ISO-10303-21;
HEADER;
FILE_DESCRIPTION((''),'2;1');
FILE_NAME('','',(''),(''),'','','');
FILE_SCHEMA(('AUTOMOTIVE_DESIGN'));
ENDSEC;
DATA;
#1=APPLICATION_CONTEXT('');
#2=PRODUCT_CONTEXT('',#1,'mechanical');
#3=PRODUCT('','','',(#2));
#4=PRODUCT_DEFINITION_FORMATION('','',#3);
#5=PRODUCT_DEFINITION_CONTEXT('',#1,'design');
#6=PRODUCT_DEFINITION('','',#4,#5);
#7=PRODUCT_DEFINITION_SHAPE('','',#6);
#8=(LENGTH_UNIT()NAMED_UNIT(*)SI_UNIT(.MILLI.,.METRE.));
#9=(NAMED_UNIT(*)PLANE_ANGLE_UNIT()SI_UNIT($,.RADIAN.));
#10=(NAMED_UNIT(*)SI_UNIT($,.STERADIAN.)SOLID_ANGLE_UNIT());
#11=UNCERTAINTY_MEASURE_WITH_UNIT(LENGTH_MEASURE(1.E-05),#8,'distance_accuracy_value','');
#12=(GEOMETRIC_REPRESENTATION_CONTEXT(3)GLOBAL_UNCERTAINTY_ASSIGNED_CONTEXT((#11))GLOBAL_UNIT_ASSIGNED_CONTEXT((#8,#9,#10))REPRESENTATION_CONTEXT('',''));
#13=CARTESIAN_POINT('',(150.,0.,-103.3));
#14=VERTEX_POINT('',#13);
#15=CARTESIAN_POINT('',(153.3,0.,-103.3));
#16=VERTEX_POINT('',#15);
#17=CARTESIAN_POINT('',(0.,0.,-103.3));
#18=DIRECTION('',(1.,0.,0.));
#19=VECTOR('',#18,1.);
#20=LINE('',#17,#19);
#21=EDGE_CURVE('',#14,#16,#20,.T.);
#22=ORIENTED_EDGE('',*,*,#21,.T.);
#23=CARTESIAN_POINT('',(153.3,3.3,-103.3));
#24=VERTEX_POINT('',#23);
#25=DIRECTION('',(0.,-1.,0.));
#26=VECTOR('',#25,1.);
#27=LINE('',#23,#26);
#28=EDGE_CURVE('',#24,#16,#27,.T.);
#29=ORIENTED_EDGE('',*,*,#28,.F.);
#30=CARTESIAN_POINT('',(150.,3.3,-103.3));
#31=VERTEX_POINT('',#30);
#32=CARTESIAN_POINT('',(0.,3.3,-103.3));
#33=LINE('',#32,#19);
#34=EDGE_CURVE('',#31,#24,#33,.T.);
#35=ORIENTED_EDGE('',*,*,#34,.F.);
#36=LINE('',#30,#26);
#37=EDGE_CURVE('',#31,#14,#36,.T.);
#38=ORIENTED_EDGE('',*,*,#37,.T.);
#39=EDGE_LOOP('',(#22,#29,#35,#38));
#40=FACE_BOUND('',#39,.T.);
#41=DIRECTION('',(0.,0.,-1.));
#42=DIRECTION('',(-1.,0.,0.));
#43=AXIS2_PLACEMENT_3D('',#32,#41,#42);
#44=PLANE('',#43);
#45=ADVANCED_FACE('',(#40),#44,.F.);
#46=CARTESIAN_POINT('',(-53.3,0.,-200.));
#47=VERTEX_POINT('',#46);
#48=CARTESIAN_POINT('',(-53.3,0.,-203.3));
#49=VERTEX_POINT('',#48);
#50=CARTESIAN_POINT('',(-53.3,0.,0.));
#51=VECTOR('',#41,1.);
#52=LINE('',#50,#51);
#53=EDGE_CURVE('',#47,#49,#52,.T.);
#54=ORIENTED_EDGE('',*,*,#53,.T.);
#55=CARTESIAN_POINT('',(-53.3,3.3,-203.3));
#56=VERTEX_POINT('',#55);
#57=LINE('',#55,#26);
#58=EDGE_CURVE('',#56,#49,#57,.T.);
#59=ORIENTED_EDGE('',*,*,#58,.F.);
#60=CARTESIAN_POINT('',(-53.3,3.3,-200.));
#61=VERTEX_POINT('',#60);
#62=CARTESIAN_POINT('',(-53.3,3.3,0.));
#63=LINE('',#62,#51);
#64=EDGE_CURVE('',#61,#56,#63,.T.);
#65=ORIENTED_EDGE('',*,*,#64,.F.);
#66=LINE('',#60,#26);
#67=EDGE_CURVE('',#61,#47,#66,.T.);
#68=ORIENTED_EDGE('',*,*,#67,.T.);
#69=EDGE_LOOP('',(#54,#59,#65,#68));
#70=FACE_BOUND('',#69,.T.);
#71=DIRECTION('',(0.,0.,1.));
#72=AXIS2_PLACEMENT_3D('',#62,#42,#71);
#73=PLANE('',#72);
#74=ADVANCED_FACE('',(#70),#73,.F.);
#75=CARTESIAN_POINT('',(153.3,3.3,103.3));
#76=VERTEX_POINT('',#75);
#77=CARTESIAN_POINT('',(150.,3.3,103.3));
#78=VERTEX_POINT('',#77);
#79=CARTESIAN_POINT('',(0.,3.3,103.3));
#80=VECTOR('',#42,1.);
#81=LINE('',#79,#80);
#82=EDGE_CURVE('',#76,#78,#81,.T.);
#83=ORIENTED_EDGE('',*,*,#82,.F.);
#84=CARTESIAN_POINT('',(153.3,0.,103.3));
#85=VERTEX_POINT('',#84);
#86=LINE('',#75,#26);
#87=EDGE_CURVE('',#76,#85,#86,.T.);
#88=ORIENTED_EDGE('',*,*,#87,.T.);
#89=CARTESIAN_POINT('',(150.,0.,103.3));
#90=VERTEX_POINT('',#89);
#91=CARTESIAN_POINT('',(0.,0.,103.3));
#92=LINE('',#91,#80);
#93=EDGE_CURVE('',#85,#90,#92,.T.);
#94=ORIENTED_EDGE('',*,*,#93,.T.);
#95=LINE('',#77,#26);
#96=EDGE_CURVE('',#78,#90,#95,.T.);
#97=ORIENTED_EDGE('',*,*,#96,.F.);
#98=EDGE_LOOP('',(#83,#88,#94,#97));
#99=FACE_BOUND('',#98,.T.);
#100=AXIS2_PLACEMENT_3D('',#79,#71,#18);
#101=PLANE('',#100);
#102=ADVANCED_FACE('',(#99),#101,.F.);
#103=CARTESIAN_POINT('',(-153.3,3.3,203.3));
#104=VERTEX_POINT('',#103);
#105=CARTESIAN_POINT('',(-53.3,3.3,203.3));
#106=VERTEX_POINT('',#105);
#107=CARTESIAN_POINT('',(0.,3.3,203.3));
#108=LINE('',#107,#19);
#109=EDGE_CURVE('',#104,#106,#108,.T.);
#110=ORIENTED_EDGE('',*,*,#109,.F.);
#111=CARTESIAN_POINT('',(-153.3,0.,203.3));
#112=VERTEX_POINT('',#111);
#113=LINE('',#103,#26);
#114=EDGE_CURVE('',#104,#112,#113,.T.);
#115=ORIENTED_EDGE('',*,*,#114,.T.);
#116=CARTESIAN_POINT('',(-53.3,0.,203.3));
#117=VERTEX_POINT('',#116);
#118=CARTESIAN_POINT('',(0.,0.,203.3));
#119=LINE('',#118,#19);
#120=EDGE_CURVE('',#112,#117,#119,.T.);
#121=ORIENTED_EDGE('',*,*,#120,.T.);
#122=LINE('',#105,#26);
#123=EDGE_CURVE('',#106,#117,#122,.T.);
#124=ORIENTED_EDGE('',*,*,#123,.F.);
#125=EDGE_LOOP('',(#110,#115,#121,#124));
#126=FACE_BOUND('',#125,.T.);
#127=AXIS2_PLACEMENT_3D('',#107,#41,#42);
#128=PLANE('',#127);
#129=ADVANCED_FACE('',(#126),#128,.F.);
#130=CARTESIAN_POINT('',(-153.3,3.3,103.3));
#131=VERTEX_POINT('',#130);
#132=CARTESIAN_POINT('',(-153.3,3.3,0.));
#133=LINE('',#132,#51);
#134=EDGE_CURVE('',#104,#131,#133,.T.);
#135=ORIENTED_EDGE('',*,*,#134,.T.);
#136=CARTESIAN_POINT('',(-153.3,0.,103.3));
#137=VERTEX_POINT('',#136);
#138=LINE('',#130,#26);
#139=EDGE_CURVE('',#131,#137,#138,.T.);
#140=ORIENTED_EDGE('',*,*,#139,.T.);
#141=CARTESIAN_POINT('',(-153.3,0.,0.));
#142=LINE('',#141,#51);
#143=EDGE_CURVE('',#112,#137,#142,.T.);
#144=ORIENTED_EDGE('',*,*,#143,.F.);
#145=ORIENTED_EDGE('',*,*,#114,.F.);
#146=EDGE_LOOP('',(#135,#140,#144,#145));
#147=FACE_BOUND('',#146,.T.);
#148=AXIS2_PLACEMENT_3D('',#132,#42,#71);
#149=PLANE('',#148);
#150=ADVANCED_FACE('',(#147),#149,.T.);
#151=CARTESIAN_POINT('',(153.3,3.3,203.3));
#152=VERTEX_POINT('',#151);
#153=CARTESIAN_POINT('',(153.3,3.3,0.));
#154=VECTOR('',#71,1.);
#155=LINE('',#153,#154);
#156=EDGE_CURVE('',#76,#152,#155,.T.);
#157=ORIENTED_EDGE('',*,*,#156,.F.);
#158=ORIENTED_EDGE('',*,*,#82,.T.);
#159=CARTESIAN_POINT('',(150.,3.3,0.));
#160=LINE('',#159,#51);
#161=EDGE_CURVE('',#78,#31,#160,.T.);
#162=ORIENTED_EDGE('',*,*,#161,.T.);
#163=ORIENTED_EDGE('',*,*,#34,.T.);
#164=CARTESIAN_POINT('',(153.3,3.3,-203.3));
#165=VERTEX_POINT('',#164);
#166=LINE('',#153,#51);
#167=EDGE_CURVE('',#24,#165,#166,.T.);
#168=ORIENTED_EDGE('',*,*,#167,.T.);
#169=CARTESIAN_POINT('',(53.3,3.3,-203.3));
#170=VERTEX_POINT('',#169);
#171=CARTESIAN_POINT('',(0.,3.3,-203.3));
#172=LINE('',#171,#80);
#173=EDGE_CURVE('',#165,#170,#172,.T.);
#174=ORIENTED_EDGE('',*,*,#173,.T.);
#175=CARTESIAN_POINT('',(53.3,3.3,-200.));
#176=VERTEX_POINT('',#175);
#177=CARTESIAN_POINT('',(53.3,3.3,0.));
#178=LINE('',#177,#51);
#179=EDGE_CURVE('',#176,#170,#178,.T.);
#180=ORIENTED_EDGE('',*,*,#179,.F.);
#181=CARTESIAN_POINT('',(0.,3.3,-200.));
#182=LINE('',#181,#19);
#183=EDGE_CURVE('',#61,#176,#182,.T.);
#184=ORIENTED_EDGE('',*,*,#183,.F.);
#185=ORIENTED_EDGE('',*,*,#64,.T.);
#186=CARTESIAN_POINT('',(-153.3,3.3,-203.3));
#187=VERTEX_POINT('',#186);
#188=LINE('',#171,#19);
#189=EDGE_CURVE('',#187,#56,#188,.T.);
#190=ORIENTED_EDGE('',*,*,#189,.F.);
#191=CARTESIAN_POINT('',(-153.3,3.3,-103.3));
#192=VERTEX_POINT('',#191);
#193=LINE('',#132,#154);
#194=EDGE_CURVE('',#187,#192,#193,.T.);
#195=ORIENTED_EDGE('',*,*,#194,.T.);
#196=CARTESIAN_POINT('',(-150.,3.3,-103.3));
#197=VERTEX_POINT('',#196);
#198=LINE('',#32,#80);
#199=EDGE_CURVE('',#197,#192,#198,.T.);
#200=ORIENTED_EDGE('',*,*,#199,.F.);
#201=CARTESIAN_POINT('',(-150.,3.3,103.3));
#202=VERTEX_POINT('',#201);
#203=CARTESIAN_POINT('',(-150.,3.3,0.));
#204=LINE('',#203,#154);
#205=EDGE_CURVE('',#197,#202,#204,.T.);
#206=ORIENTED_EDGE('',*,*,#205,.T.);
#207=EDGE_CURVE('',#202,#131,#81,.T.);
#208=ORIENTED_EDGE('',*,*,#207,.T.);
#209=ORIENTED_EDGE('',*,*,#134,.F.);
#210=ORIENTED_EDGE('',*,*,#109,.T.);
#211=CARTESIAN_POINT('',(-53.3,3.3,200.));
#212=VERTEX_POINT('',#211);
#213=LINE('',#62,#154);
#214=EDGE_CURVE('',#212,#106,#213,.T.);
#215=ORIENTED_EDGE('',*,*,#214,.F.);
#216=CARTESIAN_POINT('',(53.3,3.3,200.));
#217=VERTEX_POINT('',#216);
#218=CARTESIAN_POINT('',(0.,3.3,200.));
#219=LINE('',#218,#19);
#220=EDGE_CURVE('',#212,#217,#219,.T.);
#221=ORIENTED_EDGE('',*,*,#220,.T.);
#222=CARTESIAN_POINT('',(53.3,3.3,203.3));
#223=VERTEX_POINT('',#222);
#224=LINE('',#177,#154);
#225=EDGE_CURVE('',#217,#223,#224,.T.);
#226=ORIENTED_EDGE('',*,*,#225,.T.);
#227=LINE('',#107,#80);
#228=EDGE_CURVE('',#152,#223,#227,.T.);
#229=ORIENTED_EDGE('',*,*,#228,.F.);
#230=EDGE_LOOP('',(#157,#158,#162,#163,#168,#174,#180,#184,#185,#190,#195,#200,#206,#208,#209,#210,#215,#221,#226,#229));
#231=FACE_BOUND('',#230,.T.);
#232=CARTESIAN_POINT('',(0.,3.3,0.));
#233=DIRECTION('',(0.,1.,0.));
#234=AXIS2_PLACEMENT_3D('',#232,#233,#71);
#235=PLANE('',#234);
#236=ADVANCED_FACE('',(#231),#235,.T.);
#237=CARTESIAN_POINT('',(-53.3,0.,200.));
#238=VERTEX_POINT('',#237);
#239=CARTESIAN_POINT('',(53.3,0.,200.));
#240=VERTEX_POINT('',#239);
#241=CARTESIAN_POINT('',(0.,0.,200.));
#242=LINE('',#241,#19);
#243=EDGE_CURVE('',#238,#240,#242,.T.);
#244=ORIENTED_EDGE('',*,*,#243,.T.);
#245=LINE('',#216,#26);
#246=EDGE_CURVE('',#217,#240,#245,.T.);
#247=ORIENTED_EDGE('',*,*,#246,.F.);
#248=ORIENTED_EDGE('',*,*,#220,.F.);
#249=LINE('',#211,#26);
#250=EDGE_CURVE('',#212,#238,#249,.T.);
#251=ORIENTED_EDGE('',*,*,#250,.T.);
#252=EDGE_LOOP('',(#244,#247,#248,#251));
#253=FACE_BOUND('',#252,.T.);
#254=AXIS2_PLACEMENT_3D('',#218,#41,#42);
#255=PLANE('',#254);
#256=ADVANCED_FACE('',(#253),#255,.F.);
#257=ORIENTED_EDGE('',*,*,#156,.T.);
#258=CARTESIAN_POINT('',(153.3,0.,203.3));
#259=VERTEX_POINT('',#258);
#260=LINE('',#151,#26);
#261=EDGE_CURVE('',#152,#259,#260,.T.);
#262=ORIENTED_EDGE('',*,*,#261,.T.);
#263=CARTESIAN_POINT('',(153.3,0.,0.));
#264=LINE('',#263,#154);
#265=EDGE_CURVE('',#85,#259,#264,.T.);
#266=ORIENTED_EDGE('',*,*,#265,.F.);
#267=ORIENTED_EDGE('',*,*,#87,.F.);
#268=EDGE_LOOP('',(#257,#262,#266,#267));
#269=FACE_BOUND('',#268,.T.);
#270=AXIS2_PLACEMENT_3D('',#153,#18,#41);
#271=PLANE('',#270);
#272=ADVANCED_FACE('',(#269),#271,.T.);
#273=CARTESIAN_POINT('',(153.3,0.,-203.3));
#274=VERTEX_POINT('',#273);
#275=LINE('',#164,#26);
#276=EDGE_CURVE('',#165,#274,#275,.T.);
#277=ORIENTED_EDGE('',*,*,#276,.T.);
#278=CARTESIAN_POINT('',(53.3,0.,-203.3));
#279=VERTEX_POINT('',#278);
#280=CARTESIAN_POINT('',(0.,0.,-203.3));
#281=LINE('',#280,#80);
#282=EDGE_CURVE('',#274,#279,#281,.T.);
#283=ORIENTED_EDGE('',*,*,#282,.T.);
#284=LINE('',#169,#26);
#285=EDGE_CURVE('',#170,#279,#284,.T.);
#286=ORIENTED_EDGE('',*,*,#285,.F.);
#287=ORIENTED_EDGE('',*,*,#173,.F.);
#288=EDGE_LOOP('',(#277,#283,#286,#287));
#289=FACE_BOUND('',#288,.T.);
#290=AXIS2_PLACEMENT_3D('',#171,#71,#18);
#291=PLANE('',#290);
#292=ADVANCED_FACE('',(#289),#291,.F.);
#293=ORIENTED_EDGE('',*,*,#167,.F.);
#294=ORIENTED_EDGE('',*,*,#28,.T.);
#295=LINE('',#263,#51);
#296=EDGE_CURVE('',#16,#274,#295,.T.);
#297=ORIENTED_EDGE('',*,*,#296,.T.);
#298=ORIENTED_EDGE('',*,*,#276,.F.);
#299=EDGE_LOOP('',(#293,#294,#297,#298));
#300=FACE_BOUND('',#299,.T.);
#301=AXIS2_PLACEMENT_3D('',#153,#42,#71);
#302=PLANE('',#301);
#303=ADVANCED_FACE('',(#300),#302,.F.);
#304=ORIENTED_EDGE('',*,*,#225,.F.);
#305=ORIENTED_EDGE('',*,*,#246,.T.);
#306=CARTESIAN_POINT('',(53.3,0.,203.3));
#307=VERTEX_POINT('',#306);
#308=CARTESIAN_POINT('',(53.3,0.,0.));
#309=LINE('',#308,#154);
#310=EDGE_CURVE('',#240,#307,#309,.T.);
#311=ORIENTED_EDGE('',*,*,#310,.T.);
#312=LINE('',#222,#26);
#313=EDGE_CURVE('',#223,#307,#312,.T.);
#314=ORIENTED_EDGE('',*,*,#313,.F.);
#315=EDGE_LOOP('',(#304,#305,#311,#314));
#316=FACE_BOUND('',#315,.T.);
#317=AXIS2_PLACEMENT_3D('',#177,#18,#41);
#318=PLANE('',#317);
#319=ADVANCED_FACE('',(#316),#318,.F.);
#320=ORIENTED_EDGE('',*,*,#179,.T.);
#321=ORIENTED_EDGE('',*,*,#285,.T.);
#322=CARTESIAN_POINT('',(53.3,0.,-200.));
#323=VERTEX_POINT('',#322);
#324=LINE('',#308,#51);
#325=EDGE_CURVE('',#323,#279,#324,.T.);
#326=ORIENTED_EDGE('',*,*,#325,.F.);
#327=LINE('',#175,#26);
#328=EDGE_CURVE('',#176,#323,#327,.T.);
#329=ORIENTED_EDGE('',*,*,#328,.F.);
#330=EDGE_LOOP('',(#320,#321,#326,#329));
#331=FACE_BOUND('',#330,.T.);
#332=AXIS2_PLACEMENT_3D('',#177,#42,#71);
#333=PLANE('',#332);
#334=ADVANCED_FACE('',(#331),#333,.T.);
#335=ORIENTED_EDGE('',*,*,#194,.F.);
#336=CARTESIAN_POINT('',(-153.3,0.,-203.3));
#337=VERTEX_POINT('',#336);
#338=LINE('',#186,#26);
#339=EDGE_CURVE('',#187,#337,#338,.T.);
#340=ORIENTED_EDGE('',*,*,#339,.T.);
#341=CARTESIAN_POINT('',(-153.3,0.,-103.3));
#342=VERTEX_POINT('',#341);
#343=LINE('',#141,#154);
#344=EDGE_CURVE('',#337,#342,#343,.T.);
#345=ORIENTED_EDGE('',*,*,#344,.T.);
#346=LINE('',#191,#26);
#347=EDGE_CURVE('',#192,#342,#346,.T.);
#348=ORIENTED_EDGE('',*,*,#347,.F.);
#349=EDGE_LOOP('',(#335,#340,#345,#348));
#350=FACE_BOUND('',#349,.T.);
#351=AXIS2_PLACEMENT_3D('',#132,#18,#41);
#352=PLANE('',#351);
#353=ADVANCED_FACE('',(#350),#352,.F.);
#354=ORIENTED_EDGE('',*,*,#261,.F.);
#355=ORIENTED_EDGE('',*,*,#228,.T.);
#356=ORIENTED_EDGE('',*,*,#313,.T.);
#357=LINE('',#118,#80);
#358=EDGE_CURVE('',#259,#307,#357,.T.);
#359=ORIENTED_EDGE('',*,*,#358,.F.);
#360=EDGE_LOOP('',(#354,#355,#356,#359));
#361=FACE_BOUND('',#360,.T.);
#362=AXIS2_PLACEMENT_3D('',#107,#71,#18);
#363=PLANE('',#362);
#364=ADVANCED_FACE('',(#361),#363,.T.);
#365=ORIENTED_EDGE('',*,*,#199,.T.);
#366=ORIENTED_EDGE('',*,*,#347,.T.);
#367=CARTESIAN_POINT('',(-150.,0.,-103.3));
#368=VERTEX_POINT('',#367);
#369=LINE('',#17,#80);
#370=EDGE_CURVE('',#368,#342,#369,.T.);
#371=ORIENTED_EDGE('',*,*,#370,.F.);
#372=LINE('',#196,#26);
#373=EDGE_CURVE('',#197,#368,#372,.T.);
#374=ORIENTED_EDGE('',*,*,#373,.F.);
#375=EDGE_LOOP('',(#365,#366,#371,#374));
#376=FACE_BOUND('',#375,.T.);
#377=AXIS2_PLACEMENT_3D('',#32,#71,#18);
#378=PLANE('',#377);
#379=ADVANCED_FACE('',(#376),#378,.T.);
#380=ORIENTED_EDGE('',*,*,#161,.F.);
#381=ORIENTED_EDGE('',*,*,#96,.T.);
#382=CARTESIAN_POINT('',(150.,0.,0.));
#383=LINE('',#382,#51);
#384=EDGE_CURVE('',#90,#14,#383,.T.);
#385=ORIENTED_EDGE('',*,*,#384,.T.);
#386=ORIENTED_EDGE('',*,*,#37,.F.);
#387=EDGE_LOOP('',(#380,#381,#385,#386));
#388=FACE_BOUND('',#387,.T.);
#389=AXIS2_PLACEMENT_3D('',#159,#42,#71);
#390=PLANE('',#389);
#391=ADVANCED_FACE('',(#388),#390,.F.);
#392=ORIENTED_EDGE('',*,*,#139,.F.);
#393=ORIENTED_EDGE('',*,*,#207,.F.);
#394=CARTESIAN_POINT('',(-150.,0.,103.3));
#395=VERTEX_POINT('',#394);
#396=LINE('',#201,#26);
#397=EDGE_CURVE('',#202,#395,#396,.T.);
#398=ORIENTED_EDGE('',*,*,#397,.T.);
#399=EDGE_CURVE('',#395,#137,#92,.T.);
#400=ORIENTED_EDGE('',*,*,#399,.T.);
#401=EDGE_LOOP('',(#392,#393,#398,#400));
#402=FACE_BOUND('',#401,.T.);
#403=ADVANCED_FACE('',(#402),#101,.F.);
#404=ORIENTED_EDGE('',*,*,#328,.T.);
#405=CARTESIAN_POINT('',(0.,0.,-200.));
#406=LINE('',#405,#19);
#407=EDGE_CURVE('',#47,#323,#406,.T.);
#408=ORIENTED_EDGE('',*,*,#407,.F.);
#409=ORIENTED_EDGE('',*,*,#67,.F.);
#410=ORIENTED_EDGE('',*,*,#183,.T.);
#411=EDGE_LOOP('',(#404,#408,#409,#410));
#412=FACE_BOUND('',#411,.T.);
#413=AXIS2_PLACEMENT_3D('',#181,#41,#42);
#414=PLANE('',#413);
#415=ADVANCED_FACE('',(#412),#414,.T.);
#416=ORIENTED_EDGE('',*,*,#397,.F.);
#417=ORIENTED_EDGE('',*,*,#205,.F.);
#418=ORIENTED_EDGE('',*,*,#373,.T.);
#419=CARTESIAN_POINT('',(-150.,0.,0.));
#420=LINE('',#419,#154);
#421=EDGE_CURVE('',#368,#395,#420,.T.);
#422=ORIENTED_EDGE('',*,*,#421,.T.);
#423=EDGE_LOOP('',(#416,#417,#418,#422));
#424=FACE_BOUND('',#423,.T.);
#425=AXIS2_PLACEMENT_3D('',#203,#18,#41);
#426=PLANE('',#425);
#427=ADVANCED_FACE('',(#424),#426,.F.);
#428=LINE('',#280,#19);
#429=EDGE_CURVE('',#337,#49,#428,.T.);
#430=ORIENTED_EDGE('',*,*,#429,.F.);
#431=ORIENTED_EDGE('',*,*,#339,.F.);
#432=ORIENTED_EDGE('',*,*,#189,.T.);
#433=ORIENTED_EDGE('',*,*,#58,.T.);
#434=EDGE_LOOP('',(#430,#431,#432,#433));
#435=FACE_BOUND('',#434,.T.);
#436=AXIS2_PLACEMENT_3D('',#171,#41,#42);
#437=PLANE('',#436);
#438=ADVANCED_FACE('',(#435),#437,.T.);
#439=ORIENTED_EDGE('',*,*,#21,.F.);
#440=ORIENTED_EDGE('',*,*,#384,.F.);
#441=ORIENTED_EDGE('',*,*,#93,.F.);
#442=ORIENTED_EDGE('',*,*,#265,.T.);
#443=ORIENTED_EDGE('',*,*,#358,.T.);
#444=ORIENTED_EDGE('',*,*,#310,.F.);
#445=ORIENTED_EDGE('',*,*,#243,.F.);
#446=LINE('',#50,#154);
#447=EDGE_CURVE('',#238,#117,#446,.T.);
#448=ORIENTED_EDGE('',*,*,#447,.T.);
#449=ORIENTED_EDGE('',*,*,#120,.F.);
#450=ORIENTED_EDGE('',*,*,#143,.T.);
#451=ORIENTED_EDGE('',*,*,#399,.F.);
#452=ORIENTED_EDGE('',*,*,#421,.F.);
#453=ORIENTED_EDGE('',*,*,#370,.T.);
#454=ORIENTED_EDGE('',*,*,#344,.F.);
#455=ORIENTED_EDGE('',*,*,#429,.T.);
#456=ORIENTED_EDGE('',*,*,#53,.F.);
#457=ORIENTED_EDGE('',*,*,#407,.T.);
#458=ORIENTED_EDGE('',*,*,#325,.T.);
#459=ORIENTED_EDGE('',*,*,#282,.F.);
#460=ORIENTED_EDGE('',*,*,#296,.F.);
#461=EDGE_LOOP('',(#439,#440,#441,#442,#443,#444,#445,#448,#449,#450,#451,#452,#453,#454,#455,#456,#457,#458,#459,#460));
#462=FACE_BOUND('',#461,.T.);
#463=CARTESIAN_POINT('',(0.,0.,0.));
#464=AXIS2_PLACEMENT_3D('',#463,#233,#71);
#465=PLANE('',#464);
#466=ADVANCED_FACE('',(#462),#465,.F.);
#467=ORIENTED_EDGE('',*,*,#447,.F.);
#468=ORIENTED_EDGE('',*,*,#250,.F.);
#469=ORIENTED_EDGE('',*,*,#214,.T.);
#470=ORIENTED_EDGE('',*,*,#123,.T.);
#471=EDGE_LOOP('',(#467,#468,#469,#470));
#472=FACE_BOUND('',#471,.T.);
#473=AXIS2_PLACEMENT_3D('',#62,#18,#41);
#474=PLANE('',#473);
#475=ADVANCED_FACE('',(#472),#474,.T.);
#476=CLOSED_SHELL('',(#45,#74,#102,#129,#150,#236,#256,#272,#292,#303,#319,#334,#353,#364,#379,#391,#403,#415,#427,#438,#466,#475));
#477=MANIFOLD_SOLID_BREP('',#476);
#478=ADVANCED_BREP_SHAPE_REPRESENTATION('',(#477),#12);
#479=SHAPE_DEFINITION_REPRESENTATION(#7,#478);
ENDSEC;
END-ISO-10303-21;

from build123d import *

# Parameters (mm, degrees)
SALIENTE_EXTRUIR1_DEPTH = 3.3


with BuildPart() as part:
    # Croquis1 → Saliente-Extruir1 (new body)
    with BuildSketch(Plane(origin=(0, 0, 0), x_dir=(1, 0, 0), z_dir=(0, 1, 0))):
        Polygon((53.3, 200), (-53.3, 200), (-53.3, 203.3), (-153.3, 203.3), (-153.3, 103.3), (-150, 103.3), (-150, -103.3), (-153.3, -103.3), (-153.3, -200), (-153.3, -203.3), (-53.3, -203.3), (-53.3, -200), (53.3, -200), (53.3, -203.3), (153.3, -203.3), (153.3, -200), (153.3, -103.3), (150, -103.3), (150, 103.3), (153.3, 103.3), (153.3, 203.3), (150, 203.3), (53.3, 203.3), align=None)
    extrude(amount=SALIENTE_EXTRUIR1_DEPTH)


solid = part.part
